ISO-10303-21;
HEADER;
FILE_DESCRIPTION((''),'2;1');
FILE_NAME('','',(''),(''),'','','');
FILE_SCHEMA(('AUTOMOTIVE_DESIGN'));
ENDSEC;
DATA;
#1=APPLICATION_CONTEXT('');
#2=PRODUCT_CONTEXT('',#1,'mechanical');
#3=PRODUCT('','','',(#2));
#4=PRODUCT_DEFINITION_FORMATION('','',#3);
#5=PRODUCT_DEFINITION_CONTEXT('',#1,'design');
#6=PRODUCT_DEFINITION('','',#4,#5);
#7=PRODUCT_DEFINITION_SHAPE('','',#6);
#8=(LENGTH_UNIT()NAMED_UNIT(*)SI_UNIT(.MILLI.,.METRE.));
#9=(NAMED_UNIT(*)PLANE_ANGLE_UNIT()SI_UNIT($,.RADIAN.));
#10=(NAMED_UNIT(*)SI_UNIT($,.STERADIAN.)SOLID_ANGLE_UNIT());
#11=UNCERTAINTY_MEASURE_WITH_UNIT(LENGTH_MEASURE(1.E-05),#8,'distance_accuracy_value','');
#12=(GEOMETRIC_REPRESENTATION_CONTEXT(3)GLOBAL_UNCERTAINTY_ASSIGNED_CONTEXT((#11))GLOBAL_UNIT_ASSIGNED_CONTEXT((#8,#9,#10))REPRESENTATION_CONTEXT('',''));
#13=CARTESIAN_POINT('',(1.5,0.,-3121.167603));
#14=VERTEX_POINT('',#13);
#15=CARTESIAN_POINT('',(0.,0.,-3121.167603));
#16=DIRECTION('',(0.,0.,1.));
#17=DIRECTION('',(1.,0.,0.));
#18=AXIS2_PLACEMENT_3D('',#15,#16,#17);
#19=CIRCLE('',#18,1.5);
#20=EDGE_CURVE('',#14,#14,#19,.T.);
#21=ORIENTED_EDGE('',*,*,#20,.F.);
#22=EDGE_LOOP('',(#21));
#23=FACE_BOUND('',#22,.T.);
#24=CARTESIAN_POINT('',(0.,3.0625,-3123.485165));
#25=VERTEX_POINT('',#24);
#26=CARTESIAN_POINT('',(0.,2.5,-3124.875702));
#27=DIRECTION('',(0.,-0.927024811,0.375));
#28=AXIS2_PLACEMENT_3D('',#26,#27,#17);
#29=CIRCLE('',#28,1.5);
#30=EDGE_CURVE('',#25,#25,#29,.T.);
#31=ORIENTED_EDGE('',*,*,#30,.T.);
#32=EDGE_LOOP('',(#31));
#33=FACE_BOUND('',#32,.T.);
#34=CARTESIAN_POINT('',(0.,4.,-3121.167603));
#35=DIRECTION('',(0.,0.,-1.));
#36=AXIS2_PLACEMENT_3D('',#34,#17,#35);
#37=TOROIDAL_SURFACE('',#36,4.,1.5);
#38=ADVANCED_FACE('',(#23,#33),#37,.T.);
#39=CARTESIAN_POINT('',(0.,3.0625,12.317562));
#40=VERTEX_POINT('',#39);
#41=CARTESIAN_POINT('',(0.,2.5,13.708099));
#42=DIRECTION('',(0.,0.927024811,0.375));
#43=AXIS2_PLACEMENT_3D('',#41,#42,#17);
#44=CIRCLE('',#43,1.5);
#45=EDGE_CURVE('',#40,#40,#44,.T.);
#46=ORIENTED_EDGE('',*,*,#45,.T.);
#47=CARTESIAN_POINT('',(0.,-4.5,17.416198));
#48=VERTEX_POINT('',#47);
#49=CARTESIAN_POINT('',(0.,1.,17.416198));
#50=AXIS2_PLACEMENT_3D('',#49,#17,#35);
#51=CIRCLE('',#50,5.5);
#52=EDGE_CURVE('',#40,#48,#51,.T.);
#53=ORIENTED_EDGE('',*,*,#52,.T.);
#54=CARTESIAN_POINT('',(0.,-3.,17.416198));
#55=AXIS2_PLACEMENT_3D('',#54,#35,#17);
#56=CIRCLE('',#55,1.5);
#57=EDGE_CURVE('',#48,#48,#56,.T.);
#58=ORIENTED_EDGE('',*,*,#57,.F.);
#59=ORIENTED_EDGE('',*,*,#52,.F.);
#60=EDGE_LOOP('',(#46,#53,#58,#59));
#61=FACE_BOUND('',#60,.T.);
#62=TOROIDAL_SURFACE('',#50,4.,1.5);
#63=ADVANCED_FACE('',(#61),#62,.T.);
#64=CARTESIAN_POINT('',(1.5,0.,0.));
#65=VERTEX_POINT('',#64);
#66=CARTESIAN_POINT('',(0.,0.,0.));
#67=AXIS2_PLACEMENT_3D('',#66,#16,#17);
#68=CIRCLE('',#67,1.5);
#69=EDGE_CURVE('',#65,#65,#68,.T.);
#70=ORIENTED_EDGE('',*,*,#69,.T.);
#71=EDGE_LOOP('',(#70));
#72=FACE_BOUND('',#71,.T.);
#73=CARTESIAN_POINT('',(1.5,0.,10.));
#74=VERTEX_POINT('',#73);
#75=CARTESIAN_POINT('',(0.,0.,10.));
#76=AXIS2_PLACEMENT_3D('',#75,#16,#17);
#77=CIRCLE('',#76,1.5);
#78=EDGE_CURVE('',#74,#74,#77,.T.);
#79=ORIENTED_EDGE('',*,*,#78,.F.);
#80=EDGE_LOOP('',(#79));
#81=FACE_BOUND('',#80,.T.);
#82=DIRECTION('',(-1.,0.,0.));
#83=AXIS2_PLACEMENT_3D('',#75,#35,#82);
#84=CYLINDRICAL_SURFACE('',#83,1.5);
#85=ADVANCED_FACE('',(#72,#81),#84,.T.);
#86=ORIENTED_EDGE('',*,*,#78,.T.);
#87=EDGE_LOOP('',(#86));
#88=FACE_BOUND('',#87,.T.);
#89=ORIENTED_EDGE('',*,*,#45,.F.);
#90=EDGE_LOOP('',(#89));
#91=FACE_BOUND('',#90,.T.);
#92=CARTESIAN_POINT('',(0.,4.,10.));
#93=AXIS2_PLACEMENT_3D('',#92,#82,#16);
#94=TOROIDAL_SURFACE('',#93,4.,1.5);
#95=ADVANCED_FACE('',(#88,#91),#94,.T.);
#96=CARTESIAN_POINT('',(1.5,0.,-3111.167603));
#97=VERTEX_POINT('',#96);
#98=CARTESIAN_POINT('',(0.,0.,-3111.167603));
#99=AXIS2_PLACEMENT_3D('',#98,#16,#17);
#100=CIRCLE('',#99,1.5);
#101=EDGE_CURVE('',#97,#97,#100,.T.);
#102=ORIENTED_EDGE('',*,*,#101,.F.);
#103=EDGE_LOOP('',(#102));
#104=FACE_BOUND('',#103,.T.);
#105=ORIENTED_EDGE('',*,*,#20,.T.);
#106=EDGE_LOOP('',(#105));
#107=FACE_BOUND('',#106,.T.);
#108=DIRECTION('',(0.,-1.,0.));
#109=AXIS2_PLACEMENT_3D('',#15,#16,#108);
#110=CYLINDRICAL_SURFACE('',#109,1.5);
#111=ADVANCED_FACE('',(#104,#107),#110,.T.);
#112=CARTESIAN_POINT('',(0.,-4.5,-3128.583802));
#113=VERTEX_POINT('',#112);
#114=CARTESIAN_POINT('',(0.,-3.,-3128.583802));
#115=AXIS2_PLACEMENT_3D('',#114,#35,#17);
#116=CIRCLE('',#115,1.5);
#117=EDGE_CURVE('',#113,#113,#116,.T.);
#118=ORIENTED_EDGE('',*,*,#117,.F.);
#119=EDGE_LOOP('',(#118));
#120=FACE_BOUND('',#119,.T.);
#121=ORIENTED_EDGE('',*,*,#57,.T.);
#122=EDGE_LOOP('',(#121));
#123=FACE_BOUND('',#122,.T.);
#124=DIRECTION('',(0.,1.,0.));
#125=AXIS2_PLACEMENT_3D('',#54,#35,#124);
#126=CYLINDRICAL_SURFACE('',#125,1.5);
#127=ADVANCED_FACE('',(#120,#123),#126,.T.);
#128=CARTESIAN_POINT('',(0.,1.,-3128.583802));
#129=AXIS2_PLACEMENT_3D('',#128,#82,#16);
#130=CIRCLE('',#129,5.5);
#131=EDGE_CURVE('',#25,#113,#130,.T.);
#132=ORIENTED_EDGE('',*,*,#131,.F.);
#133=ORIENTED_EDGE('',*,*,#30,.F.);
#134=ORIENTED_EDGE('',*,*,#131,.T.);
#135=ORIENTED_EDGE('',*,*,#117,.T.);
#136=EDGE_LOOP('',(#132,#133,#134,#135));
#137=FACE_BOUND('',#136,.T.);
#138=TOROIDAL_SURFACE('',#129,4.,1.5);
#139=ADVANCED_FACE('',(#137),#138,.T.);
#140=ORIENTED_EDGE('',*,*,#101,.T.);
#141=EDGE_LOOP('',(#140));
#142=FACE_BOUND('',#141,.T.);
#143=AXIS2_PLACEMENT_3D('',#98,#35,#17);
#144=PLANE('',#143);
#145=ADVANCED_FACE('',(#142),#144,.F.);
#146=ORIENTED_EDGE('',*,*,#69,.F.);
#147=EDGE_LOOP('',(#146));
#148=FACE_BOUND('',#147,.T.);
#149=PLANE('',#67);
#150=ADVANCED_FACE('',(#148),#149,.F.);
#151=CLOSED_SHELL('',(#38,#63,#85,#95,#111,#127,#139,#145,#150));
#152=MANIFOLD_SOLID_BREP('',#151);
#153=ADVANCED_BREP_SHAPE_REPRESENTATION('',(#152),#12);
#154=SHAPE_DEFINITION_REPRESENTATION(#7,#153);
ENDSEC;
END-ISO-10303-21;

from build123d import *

# Parameters (mm, degrees)
SKETCH1_R = 1.5


with BuildPart() as part:
    # Sweep1: sweep along a path in Sketch2
    with BuildLine(Plane(origin=(0, 0, 0), x_dir=(0, 0, -1), z_dir=(1, 0, 0))) as sweep1_path:
        Line((1555.583801513, -3), (-17.416198487, -3))
        ThreePointArc((-17.416198487, -3), (-20.732823277, 3.236067977), (-13.708099244, 2.5))
        ThreePointArc((-13.708099244, 2.5), (-12.236067977, 0.68337521), (-10, 0))
        Line((-10, 0), (0, 0))
    # Sketch1 → Sweep1 (sweep)
    with BuildSketch(Plane.XY):
        Circle(SKETCH1_R)
    sweep1 = sweep(path=sweep1_path.line)

    # Mirror1: Sweep1 across plane
    add(sweep1.mirror(Plane(origin=(0, -3, -1555.583801513), x_dir=(1, 0, 0), z_dir=(0, 0, -1))))


solid = part.part
